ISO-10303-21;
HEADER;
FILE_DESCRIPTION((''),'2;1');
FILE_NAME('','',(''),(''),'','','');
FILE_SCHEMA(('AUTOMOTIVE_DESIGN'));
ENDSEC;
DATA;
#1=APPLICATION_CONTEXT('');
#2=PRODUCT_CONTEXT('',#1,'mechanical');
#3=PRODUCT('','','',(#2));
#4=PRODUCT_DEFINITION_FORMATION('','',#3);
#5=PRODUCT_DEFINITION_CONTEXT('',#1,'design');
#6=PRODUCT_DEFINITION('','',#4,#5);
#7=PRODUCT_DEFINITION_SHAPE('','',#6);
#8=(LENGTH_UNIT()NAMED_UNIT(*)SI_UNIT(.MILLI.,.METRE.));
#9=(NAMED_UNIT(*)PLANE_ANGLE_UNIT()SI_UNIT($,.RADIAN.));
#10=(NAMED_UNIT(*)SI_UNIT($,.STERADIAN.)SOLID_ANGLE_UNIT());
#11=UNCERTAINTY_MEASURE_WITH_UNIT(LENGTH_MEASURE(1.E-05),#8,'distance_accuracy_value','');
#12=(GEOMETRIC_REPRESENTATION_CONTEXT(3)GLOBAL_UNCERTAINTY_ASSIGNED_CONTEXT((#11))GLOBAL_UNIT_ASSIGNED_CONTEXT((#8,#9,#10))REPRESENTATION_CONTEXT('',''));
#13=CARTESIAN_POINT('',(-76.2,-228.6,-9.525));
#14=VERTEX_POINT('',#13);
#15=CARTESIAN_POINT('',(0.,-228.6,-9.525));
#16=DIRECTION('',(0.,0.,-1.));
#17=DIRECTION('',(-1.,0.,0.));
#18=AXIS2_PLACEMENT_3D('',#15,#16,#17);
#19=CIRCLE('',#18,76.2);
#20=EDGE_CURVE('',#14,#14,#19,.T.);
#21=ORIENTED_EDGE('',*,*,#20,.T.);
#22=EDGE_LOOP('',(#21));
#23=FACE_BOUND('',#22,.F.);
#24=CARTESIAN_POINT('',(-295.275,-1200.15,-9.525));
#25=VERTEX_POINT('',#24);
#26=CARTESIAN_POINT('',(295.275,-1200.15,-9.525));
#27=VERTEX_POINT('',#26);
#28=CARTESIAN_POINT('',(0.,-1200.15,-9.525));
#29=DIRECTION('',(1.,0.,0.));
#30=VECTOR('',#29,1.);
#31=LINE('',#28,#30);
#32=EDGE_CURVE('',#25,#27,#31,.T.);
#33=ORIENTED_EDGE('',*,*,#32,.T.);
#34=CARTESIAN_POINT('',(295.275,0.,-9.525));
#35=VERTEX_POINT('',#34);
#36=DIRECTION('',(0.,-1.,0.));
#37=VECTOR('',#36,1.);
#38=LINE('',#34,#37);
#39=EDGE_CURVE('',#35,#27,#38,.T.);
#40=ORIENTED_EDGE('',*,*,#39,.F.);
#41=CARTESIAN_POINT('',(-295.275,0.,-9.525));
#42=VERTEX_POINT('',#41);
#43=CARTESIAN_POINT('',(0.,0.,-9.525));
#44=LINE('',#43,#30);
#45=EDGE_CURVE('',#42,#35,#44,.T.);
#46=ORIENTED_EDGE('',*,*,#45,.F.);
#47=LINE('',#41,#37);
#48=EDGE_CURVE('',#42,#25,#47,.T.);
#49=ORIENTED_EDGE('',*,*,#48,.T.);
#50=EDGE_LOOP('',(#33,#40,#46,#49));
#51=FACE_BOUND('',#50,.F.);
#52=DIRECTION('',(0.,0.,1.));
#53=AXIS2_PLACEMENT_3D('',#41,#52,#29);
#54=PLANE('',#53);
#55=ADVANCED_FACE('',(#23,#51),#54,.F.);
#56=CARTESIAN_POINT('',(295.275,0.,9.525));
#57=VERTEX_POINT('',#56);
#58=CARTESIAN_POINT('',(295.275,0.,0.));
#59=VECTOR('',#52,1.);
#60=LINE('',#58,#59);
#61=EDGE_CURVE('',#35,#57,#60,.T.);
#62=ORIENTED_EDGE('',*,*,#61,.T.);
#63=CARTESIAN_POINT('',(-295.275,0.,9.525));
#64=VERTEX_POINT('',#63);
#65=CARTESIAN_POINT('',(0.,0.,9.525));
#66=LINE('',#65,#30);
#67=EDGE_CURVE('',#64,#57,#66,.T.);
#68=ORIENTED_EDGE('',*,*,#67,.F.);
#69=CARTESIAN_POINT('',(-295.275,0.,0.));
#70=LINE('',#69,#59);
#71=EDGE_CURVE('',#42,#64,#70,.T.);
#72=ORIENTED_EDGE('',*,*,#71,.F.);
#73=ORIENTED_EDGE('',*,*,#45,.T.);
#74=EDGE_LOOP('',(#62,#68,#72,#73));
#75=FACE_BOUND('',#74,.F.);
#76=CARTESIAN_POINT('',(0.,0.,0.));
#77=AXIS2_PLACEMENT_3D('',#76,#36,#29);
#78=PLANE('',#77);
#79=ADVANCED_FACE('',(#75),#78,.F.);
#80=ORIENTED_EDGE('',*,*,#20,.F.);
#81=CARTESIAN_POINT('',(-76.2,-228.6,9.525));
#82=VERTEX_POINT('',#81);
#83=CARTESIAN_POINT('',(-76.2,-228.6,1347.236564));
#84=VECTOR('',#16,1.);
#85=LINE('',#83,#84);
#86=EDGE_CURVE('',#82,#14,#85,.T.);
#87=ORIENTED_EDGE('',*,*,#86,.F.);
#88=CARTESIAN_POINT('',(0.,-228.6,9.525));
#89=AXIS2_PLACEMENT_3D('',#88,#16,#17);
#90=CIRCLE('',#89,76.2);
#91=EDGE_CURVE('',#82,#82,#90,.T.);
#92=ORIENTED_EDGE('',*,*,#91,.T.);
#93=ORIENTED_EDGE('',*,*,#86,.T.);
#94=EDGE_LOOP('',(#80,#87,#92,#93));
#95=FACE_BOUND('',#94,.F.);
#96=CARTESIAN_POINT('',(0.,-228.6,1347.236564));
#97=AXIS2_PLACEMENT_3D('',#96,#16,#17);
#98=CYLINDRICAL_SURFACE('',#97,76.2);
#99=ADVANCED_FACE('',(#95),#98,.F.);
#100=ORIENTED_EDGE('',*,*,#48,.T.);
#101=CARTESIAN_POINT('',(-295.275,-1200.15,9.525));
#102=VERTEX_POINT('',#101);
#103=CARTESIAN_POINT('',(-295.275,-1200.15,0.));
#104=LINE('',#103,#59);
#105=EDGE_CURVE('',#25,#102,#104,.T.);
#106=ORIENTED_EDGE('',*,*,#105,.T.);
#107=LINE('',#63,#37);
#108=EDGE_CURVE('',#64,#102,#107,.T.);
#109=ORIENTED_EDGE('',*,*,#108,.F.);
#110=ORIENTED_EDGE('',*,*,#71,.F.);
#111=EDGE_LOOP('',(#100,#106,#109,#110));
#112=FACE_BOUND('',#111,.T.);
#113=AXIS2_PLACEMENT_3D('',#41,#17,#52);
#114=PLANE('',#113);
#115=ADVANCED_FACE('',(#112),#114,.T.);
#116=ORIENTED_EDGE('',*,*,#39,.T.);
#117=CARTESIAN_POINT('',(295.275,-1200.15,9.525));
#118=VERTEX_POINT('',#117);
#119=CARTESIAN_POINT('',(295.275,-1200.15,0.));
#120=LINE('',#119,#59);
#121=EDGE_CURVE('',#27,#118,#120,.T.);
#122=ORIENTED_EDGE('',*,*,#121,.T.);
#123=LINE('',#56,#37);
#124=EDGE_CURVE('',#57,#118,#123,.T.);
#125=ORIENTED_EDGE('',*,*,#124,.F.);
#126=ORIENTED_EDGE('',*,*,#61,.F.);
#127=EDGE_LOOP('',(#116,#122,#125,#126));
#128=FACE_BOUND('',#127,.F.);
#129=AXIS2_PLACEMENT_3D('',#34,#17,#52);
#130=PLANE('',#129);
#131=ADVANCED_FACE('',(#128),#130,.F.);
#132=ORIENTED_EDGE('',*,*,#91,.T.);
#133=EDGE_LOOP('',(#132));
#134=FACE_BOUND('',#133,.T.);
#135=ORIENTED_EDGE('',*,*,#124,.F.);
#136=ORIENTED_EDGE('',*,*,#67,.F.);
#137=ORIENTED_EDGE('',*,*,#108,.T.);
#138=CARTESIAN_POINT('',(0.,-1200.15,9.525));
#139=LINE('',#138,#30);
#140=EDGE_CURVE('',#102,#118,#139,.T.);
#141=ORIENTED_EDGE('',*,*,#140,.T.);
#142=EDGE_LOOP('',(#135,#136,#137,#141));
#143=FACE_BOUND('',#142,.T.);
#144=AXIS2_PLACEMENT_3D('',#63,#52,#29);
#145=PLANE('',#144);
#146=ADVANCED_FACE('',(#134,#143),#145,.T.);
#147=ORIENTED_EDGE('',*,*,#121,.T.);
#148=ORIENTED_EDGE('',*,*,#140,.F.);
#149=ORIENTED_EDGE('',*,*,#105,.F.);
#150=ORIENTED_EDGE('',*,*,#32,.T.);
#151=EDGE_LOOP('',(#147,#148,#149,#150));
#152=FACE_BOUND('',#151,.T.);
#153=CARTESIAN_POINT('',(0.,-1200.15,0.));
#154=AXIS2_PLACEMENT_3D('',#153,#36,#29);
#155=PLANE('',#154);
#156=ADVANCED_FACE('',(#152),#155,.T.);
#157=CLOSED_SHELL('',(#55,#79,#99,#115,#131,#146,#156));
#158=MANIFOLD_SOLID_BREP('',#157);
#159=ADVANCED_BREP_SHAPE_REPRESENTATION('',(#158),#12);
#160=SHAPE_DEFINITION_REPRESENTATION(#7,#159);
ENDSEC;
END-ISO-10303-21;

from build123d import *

# Parameters (mm, degrees)
F0_W     = 590.55
F0_H     = 19.05
F1_DEPTH = 1200.15
F3_D     = 152.4


with BuildPart() as f1:
    # F0 (on Front) → F1 (new body)
    with BuildSketch(Plane.XZ):
        Rectangle(F0_W, F0_H)
    extrude(amount=F1_DEPTH)

    # F3 (through all)
    with Locations(Plane.XY.offset(9.525)):
        with Locations((0, -228.6)):
            Hole(F3_D / 2)


solid = f1.part
